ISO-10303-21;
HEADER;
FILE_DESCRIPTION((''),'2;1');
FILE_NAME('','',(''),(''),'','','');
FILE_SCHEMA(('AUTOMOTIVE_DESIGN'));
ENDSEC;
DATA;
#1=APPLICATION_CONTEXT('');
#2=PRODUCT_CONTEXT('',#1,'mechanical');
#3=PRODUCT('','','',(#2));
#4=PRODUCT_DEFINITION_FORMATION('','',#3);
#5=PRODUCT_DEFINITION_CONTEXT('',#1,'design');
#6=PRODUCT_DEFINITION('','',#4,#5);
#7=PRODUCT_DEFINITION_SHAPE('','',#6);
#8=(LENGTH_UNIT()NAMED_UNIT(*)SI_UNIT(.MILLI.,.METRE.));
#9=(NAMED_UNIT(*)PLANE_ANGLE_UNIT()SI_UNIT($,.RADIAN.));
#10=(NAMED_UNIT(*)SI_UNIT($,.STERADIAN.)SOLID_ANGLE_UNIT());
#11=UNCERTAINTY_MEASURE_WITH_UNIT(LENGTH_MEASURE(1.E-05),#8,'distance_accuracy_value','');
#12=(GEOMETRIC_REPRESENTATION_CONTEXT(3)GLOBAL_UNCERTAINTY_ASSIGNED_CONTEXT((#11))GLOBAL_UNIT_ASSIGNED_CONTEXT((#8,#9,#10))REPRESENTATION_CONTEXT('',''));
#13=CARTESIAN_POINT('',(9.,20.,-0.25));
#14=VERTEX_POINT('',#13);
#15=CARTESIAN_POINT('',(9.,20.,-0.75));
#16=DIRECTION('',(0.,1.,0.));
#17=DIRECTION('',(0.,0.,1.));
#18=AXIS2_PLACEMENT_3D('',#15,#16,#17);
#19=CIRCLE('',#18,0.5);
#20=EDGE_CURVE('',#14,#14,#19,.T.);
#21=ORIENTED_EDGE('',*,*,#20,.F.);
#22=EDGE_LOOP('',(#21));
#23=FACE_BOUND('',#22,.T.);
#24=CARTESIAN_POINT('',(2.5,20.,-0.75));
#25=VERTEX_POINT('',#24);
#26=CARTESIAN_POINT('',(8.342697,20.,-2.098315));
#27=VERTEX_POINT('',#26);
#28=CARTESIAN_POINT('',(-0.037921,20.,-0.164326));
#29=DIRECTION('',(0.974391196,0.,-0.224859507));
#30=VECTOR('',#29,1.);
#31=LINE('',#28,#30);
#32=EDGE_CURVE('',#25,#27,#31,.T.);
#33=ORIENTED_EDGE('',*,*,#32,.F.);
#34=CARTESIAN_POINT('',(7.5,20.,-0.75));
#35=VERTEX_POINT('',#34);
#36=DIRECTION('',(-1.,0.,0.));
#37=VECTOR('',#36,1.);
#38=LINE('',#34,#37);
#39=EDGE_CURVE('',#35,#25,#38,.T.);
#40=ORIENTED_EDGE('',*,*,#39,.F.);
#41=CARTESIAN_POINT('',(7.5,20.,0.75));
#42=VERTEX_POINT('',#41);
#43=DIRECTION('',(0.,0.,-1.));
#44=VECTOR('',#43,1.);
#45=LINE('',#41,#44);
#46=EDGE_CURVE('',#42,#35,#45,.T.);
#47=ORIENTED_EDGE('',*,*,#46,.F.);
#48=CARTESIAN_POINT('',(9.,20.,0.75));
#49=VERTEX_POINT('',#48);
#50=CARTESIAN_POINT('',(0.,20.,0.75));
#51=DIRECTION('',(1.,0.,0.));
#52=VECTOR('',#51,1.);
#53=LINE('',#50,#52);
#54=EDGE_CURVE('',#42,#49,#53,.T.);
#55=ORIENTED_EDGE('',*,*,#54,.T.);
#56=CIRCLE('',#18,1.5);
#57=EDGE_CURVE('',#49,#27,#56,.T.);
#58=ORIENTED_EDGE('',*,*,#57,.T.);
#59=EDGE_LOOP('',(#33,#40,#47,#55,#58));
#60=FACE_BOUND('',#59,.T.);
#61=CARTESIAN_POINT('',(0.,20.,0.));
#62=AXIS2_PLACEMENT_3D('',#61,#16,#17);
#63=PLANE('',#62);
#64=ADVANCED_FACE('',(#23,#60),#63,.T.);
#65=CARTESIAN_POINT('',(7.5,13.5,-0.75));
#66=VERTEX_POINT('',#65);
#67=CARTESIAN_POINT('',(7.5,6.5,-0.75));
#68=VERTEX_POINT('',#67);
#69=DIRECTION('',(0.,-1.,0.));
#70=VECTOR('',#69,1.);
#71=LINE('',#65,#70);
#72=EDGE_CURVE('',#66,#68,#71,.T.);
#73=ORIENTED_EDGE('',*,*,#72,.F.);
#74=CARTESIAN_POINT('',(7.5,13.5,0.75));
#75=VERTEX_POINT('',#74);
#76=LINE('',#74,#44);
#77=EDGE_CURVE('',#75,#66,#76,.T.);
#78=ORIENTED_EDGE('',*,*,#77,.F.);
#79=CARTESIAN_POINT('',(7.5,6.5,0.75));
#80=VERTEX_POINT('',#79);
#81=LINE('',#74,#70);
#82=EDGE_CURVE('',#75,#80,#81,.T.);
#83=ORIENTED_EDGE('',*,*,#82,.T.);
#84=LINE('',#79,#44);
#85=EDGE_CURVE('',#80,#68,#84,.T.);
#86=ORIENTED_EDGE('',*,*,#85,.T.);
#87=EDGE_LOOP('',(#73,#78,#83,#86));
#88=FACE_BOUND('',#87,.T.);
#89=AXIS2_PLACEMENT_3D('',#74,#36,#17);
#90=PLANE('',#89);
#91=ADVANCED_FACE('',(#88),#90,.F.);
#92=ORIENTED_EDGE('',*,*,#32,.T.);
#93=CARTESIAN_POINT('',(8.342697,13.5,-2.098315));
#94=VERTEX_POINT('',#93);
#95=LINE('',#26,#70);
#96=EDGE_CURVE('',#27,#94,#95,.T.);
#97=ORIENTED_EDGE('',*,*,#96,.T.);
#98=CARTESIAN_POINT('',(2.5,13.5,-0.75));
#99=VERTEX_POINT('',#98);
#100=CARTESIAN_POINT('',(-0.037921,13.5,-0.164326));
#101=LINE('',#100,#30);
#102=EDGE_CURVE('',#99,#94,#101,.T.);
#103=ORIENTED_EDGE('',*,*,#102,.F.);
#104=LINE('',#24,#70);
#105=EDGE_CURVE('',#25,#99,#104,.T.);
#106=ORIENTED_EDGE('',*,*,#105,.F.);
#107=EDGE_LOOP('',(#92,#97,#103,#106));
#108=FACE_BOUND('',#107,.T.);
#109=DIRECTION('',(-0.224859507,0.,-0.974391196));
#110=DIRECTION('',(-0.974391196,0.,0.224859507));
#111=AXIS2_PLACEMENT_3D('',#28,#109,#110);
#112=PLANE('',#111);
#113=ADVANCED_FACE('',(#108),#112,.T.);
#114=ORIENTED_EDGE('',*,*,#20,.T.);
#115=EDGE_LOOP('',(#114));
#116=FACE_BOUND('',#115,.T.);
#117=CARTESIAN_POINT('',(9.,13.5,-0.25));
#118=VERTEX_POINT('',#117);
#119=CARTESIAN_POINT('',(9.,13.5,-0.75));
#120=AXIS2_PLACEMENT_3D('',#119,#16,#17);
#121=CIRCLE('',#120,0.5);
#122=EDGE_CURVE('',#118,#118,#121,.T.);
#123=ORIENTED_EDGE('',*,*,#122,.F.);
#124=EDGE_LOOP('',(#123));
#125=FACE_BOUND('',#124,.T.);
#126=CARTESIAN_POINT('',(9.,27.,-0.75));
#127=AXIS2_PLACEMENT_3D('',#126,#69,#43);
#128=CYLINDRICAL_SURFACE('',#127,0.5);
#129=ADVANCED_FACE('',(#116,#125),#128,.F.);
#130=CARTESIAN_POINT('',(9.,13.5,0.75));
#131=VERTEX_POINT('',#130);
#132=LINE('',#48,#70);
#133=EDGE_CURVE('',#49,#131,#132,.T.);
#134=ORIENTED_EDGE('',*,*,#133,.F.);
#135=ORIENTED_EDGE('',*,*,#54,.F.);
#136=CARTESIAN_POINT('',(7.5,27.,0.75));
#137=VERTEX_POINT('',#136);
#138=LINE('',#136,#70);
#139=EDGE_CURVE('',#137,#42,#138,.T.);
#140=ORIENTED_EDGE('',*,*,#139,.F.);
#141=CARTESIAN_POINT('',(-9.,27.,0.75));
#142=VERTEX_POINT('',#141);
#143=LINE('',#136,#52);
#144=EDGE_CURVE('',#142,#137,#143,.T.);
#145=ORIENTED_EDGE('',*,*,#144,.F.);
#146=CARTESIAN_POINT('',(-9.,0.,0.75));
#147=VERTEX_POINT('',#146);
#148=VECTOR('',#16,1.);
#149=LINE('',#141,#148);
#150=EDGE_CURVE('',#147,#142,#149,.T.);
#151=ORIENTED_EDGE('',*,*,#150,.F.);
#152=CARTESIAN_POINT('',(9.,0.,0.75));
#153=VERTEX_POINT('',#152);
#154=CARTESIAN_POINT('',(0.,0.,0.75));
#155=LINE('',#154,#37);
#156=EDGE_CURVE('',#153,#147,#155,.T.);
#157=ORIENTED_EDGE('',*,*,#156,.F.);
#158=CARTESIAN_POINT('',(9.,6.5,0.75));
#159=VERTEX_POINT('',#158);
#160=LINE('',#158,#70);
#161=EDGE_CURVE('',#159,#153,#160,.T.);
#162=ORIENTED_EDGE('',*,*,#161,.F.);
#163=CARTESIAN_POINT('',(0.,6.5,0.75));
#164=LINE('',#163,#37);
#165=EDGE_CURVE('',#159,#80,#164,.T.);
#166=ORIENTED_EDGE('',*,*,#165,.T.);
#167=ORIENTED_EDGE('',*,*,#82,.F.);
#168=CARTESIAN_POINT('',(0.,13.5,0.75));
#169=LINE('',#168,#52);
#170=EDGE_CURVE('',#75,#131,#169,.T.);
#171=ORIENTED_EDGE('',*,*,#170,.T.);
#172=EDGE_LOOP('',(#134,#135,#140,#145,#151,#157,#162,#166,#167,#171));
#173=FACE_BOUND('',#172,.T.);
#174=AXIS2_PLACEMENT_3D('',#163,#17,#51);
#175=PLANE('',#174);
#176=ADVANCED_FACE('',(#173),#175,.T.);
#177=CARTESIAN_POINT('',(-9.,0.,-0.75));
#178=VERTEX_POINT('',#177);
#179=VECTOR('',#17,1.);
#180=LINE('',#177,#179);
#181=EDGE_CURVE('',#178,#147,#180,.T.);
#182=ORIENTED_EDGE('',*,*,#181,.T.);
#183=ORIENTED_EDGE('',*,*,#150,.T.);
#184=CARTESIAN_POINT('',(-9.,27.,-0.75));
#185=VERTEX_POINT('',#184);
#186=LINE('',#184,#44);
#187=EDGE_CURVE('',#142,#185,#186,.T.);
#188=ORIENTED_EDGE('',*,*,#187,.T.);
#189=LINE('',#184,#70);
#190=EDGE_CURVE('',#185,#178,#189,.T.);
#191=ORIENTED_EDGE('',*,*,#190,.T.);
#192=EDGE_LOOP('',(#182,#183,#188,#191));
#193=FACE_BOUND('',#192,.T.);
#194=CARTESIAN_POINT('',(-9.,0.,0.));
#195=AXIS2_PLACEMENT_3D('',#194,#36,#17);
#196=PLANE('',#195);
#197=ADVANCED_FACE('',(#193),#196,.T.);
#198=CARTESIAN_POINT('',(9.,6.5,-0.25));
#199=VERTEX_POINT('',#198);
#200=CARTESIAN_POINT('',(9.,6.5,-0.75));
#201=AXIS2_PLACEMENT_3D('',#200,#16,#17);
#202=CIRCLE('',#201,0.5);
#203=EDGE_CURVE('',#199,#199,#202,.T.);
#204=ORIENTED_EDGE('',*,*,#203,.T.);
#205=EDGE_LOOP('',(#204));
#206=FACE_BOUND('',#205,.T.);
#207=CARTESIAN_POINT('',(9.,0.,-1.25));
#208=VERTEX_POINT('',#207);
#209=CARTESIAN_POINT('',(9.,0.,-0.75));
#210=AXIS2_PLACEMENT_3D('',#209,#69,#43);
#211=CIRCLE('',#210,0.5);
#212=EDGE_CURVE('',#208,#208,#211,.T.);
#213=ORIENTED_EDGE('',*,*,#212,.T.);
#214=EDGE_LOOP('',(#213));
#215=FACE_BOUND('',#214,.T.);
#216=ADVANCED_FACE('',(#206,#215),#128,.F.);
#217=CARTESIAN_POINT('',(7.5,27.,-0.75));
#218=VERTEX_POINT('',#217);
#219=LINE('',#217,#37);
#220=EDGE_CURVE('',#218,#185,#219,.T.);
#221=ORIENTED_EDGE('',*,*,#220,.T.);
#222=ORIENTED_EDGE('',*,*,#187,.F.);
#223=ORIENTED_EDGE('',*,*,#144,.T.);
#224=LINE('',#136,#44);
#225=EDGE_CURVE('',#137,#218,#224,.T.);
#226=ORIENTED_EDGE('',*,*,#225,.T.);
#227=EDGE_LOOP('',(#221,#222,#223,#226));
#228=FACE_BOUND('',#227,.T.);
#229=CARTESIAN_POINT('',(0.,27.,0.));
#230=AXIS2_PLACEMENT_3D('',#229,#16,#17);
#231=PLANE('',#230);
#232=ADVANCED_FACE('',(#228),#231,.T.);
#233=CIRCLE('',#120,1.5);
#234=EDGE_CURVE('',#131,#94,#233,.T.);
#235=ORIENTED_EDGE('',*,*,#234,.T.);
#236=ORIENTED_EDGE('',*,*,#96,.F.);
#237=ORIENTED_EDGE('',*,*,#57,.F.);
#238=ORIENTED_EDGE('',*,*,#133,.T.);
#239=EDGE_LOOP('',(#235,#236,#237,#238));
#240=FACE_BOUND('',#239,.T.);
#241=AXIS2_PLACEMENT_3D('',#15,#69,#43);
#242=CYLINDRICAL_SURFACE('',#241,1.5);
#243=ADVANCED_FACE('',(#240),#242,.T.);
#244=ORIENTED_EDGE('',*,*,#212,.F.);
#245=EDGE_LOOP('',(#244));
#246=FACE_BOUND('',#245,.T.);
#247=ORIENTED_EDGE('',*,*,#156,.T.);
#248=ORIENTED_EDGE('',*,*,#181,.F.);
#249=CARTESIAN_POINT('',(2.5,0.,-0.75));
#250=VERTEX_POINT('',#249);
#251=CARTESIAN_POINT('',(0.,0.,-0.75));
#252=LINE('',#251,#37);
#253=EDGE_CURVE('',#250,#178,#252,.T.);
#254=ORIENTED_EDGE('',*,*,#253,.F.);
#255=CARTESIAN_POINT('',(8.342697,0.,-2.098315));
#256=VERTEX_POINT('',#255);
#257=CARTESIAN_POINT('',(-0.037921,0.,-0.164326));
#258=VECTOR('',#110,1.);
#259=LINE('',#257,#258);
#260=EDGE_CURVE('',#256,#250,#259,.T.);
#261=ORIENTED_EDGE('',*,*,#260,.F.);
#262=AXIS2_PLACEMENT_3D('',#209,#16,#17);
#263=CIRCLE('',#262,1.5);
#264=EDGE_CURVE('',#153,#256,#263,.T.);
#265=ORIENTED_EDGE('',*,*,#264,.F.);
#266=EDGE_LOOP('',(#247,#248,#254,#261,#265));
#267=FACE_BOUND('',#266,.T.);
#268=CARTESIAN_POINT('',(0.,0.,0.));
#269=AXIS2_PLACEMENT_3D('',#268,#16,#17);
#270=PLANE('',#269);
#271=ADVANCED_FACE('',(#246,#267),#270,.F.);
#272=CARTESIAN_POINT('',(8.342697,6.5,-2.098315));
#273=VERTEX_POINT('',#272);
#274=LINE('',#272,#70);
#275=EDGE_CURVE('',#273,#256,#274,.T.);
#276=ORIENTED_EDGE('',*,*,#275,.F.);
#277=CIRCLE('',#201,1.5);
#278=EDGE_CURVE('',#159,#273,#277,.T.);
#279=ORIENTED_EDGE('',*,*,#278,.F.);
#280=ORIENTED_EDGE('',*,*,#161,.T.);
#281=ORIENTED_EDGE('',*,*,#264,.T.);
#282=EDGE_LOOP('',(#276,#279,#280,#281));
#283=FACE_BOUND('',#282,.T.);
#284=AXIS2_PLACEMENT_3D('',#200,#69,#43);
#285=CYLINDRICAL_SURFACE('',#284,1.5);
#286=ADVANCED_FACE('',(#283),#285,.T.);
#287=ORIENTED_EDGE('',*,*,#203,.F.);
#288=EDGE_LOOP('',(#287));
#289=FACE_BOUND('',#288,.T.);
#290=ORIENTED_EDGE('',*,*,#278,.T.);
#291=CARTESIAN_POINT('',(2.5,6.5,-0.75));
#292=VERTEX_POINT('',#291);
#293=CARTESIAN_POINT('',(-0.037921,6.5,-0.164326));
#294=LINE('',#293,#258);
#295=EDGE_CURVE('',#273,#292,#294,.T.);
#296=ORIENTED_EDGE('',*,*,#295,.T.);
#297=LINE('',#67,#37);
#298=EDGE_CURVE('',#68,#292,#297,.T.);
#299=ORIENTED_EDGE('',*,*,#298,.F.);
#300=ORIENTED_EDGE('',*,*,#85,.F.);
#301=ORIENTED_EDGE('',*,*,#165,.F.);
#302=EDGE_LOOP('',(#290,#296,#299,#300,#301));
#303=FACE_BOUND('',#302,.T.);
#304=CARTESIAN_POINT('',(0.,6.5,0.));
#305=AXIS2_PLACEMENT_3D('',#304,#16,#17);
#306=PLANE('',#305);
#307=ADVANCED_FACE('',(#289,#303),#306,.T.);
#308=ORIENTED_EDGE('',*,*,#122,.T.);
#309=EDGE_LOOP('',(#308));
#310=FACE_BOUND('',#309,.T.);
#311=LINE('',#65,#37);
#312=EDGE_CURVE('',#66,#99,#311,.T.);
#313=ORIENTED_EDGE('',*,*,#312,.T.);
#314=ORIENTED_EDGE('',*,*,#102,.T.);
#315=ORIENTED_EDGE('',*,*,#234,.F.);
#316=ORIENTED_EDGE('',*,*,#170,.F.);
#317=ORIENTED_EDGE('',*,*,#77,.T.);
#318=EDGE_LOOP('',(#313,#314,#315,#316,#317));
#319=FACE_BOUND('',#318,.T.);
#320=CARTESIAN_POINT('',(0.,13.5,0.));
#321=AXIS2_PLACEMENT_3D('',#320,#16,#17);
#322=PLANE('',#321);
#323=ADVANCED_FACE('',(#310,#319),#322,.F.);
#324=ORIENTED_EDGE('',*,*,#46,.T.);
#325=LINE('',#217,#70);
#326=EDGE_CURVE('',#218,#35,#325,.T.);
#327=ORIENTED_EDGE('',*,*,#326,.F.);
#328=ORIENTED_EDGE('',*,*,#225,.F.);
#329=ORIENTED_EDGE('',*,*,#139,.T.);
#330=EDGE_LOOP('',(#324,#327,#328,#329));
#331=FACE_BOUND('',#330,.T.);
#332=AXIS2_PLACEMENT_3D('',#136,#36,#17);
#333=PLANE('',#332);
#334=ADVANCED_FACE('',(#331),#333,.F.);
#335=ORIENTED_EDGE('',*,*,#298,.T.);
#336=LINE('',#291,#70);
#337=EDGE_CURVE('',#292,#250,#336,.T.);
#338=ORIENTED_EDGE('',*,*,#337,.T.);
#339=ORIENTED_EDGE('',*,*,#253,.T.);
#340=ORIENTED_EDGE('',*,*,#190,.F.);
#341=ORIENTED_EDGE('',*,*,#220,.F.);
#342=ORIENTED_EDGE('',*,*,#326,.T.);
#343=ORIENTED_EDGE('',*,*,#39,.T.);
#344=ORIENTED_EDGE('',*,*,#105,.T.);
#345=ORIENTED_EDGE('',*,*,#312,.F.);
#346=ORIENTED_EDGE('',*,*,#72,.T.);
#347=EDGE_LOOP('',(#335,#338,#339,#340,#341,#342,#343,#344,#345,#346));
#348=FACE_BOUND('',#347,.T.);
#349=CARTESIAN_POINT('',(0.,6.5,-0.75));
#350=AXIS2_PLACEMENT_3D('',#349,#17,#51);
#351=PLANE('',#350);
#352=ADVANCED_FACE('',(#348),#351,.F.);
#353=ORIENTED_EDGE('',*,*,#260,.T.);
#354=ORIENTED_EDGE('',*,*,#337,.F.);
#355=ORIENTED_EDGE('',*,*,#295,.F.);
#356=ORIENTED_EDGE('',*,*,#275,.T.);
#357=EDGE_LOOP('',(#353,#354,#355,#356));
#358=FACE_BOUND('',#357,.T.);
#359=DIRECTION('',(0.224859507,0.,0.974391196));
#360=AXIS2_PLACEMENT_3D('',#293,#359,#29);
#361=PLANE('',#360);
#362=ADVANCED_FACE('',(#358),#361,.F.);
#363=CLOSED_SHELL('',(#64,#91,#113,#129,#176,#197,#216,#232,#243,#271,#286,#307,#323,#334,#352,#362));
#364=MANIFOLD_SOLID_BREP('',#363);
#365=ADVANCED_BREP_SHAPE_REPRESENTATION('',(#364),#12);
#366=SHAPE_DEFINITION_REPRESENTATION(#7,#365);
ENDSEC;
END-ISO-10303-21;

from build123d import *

# Parameters (mm, degrees)
BOSS_EXTRUDE1_DEPTH = 6.5
SKETCH2_W           = 15
SKETCH2_H           = 1.5
BOSS_EXTRUDE2_DEPTH = 7
BOSS_EXTRUDE3_DEPTH = 6.5
SKETCH4_W           = 15
SKETCH4_H           = 1.5
BOSS_EXTRUDE4_DEPTH = 7
SKETCH5_R           = 0.5
CUT_EXTRUDE1_DEPTH  = 27
SKETCH6_W           = 1.5
SKETCH6_H           = 27
BOSS_EXTRUDE5_DEPTH = 1.5


with BuildPart() as part:
    # Sketch1 → Boss-Extrude1 (new body)
    with BuildSketch(Plane(origin=(0, 0, 0), x_dir=(1, 0, 0), z_dir=(0, 1, 0))):
        with BuildLine():
            Line((-7.5, -0.75), (9, -0.75))
            ThreePointArc((9, -0.75), (10.461586794, 1.08728926), (8.342696629, 2.098314607))
            Line((8.342696629, 2.098314607), (2.5, 0.75))
            Line((2.5, 0.75), (-7.5, 0.75))
            Line((-7.5, 0.75), (-7.5, -0.75))
        make_face()
    extrude(amount=BOSS_EXTRUDE1_DEPTH)

    # Sketch2 → Boss-Extrude2 (add)
    with BuildSketch(Plane(origin=(0, 6.5, 0), x_dir=(1, 0, 0), z_dir=(0, 1, 0))):
        Rectangle(SKETCH2_W, SKETCH2_H)
    extrude(amount=BOSS_EXTRUDE2_DEPTH)

    # Sketch3 → Boss-Extrude3 (add)
    with BuildSketch(Plane(origin=(0, 13.5, 0), x_dir=(1, 0, 0), z_dir=(0, 1, 0))):
        with BuildLine():
            Line((-7.5, -0.75), (9, -0.75))
            ThreePointArc((9, -0.75), (10.461586794, 1.08728926), (8.342696629, 2.098314607))
            Line((8.342696629, 2.098314607), (2.5, 0.75))
            Line((2.5, 0.75), (-7.5, 0.75))
            Line((-7.5, 0.75), (-7.5, -0.75))
        make_face()
    extrude(amount=BOSS_EXTRUDE3_DEPTH)

    # Sketch4 → Boss-Extrude4 (add)
    with BuildSketch(Plane(origin=(0, 20, 0), x_dir=(1, 0, 0), z_dir=(0, 1, 0))):
        Rectangle(SKETCH4_W, SKETCH4_H)
    extrude(amount=BOSS_EXTRUDE4_DEPTH)

    # Sketch5 → Cut-Extrude1 (cut)
    with BuildSketch(Plane.XZ):
        with Locations(Location((9, -0.75, 0), (0, 0, 90))):
            Circle(SKETCH5_R)
    extrude(amount=-CUT_EXTRUDE1_DEPTH, mode=Mode.SUBTRACT)

    # Sketch6 → Boss-Extrude5 (add)
    with BuildSketch(Plane.ZY.offset(7.5)):
        with Locations((0, 13.5)):
            Rectangle(SKETCH6_W, SKETCH6_H)
    extrude(amount=BOSS_EXTRUDE5_DEPTH)


solid = part.part
